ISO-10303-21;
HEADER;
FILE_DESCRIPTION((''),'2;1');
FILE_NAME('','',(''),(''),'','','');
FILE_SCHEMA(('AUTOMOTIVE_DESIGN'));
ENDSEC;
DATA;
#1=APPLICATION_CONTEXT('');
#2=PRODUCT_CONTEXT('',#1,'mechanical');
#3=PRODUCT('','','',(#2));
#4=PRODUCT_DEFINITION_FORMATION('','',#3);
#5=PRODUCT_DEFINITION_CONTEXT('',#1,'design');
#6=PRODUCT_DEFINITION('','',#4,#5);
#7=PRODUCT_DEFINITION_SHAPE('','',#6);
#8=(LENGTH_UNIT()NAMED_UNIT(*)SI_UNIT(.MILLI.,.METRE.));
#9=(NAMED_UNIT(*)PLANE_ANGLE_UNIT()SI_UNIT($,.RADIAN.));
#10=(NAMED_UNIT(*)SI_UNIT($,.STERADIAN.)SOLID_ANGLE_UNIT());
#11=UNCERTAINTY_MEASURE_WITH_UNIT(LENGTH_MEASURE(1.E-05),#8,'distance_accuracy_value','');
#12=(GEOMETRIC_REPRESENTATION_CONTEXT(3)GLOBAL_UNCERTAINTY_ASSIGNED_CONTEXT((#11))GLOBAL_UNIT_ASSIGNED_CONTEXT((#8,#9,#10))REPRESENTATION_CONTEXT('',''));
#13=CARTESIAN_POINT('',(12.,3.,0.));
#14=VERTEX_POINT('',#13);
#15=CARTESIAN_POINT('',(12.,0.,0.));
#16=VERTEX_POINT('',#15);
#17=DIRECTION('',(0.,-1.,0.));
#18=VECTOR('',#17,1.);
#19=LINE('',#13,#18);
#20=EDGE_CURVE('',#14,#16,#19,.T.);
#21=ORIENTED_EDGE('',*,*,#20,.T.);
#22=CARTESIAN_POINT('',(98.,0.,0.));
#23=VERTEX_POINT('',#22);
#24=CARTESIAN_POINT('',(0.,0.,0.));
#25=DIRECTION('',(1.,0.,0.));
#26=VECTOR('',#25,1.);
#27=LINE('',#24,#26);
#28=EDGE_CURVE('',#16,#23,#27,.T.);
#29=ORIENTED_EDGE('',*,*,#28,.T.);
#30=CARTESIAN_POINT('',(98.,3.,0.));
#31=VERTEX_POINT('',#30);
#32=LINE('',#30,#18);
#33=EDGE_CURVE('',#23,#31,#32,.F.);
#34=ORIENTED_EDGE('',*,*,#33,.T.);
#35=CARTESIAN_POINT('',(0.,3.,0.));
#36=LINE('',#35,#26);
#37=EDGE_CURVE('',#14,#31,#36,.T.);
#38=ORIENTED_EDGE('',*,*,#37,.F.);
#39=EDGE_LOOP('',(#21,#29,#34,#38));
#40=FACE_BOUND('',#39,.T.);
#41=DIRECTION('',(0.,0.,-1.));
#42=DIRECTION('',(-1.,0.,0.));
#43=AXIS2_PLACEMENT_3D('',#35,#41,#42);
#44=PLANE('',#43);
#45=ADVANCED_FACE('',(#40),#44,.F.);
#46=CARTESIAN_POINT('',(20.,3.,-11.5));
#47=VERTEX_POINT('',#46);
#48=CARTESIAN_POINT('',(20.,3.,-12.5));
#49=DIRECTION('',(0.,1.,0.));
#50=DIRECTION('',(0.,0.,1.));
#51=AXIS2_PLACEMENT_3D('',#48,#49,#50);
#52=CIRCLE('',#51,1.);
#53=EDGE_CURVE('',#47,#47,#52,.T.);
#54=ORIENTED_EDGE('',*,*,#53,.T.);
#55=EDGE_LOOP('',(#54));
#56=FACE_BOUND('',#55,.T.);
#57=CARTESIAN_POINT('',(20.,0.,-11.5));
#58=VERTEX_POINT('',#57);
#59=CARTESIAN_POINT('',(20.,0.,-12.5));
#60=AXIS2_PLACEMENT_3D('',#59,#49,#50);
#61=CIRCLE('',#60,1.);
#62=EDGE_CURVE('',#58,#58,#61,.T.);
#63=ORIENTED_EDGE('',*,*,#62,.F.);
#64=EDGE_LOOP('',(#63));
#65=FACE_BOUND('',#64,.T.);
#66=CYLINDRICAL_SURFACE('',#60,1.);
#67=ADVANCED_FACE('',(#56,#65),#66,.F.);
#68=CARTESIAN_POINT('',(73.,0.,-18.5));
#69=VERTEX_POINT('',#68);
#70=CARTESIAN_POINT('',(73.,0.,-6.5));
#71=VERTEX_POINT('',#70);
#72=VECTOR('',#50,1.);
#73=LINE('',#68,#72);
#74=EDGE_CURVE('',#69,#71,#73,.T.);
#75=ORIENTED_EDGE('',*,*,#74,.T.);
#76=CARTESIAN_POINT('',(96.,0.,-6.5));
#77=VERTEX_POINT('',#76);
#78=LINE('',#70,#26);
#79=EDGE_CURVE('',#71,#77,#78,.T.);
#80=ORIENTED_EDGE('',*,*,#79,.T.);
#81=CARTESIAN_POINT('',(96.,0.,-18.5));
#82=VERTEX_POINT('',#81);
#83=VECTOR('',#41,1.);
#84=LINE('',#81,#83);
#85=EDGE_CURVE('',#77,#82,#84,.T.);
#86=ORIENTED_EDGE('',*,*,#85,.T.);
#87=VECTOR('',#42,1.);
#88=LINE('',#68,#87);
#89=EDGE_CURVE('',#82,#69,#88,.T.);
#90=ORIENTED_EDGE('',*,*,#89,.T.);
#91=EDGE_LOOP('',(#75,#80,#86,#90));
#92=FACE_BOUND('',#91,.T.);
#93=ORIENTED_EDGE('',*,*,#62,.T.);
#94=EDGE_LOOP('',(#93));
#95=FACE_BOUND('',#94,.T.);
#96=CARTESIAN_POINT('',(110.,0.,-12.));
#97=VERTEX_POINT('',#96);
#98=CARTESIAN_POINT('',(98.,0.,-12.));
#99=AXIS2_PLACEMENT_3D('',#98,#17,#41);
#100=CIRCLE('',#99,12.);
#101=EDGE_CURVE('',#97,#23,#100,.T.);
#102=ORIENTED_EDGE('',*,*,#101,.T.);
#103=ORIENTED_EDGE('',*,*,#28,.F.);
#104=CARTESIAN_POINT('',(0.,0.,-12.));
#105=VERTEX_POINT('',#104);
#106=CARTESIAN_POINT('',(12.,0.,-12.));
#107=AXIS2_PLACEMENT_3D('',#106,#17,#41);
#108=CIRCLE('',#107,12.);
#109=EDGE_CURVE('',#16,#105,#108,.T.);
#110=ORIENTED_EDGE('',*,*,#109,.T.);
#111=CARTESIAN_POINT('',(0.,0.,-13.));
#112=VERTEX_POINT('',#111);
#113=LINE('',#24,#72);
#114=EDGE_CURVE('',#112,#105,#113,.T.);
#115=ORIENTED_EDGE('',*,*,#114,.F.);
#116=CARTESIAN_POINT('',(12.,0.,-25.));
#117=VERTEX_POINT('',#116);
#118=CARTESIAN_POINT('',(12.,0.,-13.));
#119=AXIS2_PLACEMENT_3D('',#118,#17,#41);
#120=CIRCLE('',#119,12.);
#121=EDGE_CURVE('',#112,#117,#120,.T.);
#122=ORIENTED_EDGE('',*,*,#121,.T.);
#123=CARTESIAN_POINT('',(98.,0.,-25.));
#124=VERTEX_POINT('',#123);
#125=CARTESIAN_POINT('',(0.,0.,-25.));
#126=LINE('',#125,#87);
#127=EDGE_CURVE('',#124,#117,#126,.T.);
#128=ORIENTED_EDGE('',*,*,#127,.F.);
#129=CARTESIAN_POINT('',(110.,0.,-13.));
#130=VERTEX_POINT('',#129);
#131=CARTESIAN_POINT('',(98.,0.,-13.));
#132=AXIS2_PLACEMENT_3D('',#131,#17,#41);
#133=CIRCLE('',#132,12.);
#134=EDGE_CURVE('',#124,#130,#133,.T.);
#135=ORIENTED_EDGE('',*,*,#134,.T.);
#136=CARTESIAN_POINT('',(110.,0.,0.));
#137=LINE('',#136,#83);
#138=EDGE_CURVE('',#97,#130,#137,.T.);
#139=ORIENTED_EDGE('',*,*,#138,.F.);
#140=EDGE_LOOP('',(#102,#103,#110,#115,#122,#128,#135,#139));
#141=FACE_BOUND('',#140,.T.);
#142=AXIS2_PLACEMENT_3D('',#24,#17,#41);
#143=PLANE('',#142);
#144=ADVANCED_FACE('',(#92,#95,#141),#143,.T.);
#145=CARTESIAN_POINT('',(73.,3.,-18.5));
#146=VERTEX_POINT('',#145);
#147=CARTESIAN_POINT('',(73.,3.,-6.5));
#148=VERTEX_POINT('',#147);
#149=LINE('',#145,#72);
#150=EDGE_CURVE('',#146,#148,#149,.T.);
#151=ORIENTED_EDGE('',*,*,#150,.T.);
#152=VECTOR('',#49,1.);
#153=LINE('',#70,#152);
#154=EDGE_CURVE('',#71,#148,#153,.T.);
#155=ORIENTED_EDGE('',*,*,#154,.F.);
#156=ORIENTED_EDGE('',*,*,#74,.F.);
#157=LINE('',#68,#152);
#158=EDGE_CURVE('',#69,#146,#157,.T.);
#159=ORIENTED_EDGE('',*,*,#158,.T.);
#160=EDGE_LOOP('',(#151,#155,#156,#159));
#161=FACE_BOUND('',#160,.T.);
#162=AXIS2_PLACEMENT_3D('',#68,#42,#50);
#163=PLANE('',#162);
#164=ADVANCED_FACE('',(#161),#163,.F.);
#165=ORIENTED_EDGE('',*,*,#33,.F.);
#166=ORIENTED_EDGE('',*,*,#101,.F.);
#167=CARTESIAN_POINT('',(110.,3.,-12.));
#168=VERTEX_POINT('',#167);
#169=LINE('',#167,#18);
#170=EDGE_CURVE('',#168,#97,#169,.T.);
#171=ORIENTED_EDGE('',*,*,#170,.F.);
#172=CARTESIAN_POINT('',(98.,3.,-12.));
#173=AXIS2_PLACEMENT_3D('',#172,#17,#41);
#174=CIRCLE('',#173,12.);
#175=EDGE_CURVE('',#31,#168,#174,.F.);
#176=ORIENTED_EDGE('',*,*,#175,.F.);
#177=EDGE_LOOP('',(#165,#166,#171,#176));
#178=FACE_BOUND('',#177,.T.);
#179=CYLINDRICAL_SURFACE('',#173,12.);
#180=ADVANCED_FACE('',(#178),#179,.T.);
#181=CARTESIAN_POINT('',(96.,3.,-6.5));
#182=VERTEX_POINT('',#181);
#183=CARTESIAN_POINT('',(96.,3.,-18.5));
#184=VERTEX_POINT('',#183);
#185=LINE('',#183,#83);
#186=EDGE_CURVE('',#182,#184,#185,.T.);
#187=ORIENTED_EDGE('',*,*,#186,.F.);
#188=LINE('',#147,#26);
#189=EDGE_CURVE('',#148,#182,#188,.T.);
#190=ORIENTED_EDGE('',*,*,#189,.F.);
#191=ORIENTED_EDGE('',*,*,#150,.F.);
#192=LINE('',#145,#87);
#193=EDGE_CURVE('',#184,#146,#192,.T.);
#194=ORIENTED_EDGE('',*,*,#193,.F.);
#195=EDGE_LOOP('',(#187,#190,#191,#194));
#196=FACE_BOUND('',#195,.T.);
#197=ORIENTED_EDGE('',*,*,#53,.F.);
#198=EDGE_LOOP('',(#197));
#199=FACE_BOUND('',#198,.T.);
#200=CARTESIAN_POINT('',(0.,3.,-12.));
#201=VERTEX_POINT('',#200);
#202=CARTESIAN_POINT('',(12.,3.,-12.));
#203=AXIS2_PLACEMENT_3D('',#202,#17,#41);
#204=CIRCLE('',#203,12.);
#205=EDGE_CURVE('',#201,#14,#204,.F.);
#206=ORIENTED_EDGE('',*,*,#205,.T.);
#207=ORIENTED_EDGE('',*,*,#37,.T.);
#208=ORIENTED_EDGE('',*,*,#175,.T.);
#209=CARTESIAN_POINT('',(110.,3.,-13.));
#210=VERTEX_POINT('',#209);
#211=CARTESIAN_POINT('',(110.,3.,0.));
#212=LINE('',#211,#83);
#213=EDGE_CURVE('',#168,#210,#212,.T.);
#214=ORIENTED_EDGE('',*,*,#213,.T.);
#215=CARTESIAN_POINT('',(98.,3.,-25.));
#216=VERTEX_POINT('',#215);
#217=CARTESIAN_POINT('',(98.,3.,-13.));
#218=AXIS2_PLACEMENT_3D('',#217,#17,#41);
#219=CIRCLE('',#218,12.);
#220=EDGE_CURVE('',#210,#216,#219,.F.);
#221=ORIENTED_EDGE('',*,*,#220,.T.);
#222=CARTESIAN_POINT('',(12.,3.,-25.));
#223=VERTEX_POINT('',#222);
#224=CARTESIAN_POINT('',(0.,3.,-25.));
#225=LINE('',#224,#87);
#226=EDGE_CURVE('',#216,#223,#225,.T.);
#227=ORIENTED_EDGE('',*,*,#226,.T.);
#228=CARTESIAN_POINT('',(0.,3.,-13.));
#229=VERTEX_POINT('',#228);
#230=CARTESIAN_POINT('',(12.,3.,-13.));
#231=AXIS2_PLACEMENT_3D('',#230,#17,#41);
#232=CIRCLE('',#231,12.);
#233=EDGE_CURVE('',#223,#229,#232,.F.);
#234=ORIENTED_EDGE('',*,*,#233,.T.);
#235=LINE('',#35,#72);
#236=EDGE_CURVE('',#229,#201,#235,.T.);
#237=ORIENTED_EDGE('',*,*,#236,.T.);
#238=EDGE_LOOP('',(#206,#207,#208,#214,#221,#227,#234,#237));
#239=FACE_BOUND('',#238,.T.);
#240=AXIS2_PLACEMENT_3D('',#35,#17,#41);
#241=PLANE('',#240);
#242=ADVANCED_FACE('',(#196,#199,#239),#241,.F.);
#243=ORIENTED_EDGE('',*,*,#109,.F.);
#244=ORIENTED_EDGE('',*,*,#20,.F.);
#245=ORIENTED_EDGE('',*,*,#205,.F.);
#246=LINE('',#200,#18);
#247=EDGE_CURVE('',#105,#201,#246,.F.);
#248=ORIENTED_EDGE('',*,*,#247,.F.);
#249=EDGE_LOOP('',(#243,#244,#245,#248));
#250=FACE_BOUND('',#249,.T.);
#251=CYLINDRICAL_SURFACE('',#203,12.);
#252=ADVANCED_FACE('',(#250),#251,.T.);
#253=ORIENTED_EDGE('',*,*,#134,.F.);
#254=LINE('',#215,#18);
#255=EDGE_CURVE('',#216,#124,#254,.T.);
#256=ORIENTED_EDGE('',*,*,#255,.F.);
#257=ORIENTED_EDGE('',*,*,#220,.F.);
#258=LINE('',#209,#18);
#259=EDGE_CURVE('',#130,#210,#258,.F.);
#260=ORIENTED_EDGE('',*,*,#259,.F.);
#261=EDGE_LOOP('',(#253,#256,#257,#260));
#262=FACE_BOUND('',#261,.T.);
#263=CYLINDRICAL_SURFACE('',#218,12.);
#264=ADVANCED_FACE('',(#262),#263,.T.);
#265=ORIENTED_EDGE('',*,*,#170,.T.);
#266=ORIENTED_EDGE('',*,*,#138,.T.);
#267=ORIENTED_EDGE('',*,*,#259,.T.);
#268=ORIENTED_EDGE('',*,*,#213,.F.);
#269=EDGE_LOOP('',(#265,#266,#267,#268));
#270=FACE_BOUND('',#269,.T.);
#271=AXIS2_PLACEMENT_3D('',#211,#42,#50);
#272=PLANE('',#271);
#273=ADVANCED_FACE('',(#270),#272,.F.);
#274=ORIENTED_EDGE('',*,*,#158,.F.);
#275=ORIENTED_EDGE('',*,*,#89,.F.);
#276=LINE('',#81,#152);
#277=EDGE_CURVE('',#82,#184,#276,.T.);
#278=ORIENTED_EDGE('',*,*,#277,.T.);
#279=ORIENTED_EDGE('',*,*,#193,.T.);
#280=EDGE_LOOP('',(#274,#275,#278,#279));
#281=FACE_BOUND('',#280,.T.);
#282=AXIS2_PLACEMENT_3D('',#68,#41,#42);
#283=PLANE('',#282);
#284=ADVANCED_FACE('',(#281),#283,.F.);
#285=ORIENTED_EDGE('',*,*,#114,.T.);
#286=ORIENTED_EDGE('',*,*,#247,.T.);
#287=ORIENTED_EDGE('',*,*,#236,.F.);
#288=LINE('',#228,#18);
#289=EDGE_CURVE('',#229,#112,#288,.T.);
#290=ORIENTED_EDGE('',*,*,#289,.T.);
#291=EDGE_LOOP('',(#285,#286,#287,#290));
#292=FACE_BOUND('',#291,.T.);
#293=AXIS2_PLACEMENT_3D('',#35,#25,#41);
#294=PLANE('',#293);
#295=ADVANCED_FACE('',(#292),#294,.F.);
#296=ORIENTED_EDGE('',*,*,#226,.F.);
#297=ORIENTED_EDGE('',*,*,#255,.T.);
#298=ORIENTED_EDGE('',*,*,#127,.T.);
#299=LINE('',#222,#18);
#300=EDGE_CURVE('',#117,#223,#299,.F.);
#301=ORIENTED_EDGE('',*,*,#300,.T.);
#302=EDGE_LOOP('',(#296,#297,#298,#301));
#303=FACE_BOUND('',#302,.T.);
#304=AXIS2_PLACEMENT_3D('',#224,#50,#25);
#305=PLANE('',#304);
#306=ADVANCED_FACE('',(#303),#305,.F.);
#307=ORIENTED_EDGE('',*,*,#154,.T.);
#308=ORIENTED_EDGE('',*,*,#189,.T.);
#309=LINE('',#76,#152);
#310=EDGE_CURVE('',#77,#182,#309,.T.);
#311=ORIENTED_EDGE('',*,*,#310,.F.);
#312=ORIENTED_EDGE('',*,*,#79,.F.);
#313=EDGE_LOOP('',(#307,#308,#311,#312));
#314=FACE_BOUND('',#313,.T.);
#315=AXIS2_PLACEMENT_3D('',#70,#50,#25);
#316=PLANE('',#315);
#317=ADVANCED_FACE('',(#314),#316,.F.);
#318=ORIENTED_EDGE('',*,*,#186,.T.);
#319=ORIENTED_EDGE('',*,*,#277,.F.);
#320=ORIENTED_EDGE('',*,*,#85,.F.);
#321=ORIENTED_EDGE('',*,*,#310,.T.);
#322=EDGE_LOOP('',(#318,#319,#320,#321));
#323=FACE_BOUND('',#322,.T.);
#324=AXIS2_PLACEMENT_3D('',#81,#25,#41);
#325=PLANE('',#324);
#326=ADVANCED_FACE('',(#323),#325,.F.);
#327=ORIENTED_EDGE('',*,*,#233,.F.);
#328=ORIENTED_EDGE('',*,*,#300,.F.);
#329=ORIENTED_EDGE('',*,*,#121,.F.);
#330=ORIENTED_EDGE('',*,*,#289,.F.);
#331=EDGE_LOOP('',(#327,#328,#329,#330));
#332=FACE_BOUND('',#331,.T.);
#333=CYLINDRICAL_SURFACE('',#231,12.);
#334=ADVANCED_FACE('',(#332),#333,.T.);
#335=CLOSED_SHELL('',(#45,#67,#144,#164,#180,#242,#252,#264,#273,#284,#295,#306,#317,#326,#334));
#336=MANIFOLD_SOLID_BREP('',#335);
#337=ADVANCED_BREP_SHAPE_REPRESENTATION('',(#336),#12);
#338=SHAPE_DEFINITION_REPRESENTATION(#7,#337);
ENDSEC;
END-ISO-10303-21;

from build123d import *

# Parameters (mm, degrees)
SKETCH1_W           = 110
SKETCH1_H           = 25
BOSS_EXTRUDE1_DEPTH = 3
SKETCH2_W           = 23
SKETCH2_H           = 12
CUT_EXTRUDE1_DEPTH  = 4
SKETCH3_R           = 1
CUT_EXTRUDE2_DEPTH  = 4
FILLET1_R           = 12


with BuildPart() as part:
    # Sketch1 → Boss-Extrude1 (new body)
    with BuildSketch(Plane(origin=(0, 0, 0), x_dir=(1, 0, 0), z_dir=(0, 1, 0))):
        with Locations((55, 12.5)):
            Rectangle(SKETCH1_W, SKETCH1_H)
    extrude(amount=BOSS_EXTRUDE1_DEPTH)

    # Sketch2 → Cut-Extrude1 (cut, through all)
    with BuildSketch(Plane(origin=(0, 3, 0), x_dir=(1, 0, 0), z_dir=(0, 1, 0))):
        with Locations((84.5, 12.5)):
            Rectangle(SKETCH2_W, SKETCH2_H)
    extrude(amount=-CUT_EXTRUDE1_DEPTH, mode=Mode.SUBTRACT)

    # Sketch3 → Cut-Extrude2 (cut, through all)
    with BuildSketch(Plane(origin=(0, 3, 0), x_dir=(1, 0, 0), z_dir=(0, 1, 0))):
        with Locations((20, 12.5)):
            Circle(SKETCH3_R)
    extrude(amount=-CUT_EXTRUDE2_DEPTH, mode=Mode.SUBTRACT)

    # Fillet1
    fillet1_edges = [part.edges().sort_by_distance(p)[0] for p in [
        (0, 1.5, -25),
        (110, 1.5, -25),
        (110, 1.5, 0),
        (0, 1.5, 0),
    ]]
    fillet(fillet1_edges, radius=FILLET1_R)


solid = part.part
